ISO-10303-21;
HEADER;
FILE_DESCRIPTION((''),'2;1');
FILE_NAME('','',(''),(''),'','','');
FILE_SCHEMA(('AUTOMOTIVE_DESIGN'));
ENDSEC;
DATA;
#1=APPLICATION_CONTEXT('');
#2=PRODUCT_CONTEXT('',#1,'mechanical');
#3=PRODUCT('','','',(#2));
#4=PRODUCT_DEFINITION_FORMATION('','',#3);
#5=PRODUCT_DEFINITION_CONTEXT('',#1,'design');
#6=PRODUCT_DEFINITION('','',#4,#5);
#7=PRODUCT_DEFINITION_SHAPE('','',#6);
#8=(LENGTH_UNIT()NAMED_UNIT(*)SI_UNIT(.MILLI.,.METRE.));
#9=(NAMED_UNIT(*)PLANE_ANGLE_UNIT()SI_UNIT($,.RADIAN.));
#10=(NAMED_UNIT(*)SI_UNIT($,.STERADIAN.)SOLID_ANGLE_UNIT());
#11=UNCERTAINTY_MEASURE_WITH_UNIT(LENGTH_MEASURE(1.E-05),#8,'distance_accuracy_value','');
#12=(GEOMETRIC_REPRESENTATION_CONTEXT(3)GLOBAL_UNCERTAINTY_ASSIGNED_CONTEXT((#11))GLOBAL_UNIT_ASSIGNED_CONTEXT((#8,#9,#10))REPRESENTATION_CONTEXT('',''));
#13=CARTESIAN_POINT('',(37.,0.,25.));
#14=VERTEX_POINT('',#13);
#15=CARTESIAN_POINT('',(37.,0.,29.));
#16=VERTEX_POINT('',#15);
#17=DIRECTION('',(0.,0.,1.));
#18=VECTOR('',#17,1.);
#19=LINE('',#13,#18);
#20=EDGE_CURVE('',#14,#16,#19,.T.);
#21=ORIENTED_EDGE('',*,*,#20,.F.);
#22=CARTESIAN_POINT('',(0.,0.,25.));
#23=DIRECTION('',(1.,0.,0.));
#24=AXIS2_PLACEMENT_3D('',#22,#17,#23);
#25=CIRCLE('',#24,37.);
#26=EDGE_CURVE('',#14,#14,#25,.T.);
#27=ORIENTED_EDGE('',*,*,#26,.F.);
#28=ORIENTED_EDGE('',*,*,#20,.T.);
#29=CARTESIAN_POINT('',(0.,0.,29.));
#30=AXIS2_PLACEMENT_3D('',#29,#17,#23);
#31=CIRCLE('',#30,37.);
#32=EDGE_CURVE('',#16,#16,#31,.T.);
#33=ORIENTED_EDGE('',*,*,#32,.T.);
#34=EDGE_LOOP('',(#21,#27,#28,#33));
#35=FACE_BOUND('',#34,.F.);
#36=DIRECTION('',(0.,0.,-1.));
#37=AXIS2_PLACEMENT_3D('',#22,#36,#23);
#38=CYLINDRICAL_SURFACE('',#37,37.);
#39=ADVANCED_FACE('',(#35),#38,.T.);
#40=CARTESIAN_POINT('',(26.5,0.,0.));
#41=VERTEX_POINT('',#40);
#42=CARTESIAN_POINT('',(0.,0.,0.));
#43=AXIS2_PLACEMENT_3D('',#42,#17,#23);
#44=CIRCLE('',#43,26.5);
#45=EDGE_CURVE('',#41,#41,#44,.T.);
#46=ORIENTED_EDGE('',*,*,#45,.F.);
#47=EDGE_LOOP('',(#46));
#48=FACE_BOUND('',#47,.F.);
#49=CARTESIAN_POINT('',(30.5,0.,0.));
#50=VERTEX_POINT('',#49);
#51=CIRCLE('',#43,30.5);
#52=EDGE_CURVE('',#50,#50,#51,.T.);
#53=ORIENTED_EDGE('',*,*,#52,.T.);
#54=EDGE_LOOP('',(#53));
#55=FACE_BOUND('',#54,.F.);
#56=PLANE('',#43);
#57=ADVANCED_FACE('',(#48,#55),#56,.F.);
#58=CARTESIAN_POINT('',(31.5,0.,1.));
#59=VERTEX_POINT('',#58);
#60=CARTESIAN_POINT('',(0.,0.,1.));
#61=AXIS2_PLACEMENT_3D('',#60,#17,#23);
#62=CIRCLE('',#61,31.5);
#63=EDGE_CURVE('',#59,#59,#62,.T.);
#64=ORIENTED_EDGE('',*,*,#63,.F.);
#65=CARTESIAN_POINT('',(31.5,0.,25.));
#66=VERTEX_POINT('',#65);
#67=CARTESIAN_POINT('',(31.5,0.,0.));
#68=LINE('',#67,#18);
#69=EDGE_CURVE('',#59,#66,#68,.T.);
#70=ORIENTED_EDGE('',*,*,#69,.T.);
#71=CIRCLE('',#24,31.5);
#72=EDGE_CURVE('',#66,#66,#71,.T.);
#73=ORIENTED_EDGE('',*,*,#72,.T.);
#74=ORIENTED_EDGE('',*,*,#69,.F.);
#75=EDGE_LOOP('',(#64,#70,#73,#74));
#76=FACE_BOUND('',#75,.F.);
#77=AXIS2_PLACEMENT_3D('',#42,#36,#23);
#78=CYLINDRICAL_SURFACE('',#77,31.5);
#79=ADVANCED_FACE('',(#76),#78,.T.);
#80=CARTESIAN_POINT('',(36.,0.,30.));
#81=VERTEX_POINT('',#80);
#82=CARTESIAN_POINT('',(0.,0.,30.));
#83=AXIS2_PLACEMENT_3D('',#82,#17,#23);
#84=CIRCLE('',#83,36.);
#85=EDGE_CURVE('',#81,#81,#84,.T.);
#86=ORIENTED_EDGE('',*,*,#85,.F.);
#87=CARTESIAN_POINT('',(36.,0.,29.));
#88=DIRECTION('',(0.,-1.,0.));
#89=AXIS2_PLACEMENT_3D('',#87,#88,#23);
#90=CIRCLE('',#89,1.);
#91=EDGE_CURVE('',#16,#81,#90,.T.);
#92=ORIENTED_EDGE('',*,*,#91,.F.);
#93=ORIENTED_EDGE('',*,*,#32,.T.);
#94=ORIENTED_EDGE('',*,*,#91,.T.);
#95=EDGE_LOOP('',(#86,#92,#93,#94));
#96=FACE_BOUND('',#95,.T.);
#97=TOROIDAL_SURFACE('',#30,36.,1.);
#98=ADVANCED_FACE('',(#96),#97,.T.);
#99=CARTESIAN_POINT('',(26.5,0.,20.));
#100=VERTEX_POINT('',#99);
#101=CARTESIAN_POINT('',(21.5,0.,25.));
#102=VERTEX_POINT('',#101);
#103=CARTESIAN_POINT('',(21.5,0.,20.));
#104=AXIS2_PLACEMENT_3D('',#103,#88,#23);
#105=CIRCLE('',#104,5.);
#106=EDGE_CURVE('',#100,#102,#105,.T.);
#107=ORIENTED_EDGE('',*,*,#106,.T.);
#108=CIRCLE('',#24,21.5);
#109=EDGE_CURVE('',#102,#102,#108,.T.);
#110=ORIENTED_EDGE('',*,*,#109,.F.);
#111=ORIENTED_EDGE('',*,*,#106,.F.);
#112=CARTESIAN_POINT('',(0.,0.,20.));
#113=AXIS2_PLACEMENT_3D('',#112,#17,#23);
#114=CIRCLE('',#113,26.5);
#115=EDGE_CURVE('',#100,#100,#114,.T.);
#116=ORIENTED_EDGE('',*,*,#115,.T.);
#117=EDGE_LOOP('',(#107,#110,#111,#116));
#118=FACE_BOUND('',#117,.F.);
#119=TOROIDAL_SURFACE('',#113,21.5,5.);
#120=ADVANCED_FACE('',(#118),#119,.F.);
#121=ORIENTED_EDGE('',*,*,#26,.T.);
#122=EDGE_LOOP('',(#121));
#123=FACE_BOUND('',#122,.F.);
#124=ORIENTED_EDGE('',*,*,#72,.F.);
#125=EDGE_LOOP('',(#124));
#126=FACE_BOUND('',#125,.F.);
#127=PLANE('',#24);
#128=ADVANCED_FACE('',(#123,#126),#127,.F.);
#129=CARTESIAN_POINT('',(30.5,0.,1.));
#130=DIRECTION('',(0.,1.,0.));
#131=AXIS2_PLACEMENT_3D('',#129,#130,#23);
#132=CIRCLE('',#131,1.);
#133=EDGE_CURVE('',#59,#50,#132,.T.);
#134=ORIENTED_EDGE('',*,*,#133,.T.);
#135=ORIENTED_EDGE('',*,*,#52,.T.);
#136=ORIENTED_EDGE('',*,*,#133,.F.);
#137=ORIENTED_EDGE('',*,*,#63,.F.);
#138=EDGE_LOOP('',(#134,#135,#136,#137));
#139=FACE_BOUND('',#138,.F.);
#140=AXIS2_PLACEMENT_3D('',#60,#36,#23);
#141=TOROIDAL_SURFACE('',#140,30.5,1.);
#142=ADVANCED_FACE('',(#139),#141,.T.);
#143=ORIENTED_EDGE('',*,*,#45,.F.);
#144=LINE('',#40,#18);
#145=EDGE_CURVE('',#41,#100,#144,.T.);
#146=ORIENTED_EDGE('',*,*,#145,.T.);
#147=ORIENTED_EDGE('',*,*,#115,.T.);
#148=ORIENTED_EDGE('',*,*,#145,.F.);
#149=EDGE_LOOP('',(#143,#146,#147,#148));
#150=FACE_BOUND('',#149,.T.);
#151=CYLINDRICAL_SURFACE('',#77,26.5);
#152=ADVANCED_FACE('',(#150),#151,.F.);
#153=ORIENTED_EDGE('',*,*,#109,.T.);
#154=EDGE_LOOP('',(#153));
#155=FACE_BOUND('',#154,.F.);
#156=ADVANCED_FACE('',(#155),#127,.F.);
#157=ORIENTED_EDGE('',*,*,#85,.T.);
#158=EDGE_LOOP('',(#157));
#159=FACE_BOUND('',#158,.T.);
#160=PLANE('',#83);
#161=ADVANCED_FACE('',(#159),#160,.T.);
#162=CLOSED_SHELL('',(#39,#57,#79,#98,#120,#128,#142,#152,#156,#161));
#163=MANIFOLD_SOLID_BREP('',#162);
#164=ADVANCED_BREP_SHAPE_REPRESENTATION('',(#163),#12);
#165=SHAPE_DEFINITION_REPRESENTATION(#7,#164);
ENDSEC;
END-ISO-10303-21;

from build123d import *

# Parameters (mm, degrees)
F0_R     = 31.5
F0_R_2   = 26.5
F1_DEPTH = 25
F2_R     = 37
F2_R_2   = 31.5
F2_R_3   = 26.5
F3_DEPTH = 5
F4_R     = 1
F5_R     = 1
F6_R     = 5


with BuildPart() as f1:
    # F0 (on Top) → F1 (new body)
    with BuildSketch(Plane.XY):
        Circle(F0_R)
        Circle(F0_R_2, mode=Mode.SUBTRACT)
    extrude(amount=F1_DEPTH)

    # F2 (on face) → F3 (join)
    with BuildSketch(Plane.XY.offset(25)):
        Circle(F2_R)
        Circle(F2_R_2, mode=Mode.SUBTRACT)
        Circle(F2_R_2)
        Circle(F2_R_3, mode=Mode.SUBTRACT)
        Circle(F2_R_3)
    extrude(amount=F3_DEPTH)

    # F4
    f4_edges = [f1.edges().sort_by_distance(p)[0] for p in [
        (-37, 0, 30),
    ]]
    fillet(f4_edges, radius=F4_R)

    # F5
    f5_edges = [f1.edges().sort_by_distance(p)[0] for p in [
        (-31.5, 0, 0),
    ]]
    fillet(f5_edges, radius=F5_R)

    # F6
    f6_edges = [f1.edges().sort_by_distance(p)[0] for p in [
        (-26.5, 0, 25),
    ]]
    fillet(f6_edges, radius=F6_R)


solid = f1.part
